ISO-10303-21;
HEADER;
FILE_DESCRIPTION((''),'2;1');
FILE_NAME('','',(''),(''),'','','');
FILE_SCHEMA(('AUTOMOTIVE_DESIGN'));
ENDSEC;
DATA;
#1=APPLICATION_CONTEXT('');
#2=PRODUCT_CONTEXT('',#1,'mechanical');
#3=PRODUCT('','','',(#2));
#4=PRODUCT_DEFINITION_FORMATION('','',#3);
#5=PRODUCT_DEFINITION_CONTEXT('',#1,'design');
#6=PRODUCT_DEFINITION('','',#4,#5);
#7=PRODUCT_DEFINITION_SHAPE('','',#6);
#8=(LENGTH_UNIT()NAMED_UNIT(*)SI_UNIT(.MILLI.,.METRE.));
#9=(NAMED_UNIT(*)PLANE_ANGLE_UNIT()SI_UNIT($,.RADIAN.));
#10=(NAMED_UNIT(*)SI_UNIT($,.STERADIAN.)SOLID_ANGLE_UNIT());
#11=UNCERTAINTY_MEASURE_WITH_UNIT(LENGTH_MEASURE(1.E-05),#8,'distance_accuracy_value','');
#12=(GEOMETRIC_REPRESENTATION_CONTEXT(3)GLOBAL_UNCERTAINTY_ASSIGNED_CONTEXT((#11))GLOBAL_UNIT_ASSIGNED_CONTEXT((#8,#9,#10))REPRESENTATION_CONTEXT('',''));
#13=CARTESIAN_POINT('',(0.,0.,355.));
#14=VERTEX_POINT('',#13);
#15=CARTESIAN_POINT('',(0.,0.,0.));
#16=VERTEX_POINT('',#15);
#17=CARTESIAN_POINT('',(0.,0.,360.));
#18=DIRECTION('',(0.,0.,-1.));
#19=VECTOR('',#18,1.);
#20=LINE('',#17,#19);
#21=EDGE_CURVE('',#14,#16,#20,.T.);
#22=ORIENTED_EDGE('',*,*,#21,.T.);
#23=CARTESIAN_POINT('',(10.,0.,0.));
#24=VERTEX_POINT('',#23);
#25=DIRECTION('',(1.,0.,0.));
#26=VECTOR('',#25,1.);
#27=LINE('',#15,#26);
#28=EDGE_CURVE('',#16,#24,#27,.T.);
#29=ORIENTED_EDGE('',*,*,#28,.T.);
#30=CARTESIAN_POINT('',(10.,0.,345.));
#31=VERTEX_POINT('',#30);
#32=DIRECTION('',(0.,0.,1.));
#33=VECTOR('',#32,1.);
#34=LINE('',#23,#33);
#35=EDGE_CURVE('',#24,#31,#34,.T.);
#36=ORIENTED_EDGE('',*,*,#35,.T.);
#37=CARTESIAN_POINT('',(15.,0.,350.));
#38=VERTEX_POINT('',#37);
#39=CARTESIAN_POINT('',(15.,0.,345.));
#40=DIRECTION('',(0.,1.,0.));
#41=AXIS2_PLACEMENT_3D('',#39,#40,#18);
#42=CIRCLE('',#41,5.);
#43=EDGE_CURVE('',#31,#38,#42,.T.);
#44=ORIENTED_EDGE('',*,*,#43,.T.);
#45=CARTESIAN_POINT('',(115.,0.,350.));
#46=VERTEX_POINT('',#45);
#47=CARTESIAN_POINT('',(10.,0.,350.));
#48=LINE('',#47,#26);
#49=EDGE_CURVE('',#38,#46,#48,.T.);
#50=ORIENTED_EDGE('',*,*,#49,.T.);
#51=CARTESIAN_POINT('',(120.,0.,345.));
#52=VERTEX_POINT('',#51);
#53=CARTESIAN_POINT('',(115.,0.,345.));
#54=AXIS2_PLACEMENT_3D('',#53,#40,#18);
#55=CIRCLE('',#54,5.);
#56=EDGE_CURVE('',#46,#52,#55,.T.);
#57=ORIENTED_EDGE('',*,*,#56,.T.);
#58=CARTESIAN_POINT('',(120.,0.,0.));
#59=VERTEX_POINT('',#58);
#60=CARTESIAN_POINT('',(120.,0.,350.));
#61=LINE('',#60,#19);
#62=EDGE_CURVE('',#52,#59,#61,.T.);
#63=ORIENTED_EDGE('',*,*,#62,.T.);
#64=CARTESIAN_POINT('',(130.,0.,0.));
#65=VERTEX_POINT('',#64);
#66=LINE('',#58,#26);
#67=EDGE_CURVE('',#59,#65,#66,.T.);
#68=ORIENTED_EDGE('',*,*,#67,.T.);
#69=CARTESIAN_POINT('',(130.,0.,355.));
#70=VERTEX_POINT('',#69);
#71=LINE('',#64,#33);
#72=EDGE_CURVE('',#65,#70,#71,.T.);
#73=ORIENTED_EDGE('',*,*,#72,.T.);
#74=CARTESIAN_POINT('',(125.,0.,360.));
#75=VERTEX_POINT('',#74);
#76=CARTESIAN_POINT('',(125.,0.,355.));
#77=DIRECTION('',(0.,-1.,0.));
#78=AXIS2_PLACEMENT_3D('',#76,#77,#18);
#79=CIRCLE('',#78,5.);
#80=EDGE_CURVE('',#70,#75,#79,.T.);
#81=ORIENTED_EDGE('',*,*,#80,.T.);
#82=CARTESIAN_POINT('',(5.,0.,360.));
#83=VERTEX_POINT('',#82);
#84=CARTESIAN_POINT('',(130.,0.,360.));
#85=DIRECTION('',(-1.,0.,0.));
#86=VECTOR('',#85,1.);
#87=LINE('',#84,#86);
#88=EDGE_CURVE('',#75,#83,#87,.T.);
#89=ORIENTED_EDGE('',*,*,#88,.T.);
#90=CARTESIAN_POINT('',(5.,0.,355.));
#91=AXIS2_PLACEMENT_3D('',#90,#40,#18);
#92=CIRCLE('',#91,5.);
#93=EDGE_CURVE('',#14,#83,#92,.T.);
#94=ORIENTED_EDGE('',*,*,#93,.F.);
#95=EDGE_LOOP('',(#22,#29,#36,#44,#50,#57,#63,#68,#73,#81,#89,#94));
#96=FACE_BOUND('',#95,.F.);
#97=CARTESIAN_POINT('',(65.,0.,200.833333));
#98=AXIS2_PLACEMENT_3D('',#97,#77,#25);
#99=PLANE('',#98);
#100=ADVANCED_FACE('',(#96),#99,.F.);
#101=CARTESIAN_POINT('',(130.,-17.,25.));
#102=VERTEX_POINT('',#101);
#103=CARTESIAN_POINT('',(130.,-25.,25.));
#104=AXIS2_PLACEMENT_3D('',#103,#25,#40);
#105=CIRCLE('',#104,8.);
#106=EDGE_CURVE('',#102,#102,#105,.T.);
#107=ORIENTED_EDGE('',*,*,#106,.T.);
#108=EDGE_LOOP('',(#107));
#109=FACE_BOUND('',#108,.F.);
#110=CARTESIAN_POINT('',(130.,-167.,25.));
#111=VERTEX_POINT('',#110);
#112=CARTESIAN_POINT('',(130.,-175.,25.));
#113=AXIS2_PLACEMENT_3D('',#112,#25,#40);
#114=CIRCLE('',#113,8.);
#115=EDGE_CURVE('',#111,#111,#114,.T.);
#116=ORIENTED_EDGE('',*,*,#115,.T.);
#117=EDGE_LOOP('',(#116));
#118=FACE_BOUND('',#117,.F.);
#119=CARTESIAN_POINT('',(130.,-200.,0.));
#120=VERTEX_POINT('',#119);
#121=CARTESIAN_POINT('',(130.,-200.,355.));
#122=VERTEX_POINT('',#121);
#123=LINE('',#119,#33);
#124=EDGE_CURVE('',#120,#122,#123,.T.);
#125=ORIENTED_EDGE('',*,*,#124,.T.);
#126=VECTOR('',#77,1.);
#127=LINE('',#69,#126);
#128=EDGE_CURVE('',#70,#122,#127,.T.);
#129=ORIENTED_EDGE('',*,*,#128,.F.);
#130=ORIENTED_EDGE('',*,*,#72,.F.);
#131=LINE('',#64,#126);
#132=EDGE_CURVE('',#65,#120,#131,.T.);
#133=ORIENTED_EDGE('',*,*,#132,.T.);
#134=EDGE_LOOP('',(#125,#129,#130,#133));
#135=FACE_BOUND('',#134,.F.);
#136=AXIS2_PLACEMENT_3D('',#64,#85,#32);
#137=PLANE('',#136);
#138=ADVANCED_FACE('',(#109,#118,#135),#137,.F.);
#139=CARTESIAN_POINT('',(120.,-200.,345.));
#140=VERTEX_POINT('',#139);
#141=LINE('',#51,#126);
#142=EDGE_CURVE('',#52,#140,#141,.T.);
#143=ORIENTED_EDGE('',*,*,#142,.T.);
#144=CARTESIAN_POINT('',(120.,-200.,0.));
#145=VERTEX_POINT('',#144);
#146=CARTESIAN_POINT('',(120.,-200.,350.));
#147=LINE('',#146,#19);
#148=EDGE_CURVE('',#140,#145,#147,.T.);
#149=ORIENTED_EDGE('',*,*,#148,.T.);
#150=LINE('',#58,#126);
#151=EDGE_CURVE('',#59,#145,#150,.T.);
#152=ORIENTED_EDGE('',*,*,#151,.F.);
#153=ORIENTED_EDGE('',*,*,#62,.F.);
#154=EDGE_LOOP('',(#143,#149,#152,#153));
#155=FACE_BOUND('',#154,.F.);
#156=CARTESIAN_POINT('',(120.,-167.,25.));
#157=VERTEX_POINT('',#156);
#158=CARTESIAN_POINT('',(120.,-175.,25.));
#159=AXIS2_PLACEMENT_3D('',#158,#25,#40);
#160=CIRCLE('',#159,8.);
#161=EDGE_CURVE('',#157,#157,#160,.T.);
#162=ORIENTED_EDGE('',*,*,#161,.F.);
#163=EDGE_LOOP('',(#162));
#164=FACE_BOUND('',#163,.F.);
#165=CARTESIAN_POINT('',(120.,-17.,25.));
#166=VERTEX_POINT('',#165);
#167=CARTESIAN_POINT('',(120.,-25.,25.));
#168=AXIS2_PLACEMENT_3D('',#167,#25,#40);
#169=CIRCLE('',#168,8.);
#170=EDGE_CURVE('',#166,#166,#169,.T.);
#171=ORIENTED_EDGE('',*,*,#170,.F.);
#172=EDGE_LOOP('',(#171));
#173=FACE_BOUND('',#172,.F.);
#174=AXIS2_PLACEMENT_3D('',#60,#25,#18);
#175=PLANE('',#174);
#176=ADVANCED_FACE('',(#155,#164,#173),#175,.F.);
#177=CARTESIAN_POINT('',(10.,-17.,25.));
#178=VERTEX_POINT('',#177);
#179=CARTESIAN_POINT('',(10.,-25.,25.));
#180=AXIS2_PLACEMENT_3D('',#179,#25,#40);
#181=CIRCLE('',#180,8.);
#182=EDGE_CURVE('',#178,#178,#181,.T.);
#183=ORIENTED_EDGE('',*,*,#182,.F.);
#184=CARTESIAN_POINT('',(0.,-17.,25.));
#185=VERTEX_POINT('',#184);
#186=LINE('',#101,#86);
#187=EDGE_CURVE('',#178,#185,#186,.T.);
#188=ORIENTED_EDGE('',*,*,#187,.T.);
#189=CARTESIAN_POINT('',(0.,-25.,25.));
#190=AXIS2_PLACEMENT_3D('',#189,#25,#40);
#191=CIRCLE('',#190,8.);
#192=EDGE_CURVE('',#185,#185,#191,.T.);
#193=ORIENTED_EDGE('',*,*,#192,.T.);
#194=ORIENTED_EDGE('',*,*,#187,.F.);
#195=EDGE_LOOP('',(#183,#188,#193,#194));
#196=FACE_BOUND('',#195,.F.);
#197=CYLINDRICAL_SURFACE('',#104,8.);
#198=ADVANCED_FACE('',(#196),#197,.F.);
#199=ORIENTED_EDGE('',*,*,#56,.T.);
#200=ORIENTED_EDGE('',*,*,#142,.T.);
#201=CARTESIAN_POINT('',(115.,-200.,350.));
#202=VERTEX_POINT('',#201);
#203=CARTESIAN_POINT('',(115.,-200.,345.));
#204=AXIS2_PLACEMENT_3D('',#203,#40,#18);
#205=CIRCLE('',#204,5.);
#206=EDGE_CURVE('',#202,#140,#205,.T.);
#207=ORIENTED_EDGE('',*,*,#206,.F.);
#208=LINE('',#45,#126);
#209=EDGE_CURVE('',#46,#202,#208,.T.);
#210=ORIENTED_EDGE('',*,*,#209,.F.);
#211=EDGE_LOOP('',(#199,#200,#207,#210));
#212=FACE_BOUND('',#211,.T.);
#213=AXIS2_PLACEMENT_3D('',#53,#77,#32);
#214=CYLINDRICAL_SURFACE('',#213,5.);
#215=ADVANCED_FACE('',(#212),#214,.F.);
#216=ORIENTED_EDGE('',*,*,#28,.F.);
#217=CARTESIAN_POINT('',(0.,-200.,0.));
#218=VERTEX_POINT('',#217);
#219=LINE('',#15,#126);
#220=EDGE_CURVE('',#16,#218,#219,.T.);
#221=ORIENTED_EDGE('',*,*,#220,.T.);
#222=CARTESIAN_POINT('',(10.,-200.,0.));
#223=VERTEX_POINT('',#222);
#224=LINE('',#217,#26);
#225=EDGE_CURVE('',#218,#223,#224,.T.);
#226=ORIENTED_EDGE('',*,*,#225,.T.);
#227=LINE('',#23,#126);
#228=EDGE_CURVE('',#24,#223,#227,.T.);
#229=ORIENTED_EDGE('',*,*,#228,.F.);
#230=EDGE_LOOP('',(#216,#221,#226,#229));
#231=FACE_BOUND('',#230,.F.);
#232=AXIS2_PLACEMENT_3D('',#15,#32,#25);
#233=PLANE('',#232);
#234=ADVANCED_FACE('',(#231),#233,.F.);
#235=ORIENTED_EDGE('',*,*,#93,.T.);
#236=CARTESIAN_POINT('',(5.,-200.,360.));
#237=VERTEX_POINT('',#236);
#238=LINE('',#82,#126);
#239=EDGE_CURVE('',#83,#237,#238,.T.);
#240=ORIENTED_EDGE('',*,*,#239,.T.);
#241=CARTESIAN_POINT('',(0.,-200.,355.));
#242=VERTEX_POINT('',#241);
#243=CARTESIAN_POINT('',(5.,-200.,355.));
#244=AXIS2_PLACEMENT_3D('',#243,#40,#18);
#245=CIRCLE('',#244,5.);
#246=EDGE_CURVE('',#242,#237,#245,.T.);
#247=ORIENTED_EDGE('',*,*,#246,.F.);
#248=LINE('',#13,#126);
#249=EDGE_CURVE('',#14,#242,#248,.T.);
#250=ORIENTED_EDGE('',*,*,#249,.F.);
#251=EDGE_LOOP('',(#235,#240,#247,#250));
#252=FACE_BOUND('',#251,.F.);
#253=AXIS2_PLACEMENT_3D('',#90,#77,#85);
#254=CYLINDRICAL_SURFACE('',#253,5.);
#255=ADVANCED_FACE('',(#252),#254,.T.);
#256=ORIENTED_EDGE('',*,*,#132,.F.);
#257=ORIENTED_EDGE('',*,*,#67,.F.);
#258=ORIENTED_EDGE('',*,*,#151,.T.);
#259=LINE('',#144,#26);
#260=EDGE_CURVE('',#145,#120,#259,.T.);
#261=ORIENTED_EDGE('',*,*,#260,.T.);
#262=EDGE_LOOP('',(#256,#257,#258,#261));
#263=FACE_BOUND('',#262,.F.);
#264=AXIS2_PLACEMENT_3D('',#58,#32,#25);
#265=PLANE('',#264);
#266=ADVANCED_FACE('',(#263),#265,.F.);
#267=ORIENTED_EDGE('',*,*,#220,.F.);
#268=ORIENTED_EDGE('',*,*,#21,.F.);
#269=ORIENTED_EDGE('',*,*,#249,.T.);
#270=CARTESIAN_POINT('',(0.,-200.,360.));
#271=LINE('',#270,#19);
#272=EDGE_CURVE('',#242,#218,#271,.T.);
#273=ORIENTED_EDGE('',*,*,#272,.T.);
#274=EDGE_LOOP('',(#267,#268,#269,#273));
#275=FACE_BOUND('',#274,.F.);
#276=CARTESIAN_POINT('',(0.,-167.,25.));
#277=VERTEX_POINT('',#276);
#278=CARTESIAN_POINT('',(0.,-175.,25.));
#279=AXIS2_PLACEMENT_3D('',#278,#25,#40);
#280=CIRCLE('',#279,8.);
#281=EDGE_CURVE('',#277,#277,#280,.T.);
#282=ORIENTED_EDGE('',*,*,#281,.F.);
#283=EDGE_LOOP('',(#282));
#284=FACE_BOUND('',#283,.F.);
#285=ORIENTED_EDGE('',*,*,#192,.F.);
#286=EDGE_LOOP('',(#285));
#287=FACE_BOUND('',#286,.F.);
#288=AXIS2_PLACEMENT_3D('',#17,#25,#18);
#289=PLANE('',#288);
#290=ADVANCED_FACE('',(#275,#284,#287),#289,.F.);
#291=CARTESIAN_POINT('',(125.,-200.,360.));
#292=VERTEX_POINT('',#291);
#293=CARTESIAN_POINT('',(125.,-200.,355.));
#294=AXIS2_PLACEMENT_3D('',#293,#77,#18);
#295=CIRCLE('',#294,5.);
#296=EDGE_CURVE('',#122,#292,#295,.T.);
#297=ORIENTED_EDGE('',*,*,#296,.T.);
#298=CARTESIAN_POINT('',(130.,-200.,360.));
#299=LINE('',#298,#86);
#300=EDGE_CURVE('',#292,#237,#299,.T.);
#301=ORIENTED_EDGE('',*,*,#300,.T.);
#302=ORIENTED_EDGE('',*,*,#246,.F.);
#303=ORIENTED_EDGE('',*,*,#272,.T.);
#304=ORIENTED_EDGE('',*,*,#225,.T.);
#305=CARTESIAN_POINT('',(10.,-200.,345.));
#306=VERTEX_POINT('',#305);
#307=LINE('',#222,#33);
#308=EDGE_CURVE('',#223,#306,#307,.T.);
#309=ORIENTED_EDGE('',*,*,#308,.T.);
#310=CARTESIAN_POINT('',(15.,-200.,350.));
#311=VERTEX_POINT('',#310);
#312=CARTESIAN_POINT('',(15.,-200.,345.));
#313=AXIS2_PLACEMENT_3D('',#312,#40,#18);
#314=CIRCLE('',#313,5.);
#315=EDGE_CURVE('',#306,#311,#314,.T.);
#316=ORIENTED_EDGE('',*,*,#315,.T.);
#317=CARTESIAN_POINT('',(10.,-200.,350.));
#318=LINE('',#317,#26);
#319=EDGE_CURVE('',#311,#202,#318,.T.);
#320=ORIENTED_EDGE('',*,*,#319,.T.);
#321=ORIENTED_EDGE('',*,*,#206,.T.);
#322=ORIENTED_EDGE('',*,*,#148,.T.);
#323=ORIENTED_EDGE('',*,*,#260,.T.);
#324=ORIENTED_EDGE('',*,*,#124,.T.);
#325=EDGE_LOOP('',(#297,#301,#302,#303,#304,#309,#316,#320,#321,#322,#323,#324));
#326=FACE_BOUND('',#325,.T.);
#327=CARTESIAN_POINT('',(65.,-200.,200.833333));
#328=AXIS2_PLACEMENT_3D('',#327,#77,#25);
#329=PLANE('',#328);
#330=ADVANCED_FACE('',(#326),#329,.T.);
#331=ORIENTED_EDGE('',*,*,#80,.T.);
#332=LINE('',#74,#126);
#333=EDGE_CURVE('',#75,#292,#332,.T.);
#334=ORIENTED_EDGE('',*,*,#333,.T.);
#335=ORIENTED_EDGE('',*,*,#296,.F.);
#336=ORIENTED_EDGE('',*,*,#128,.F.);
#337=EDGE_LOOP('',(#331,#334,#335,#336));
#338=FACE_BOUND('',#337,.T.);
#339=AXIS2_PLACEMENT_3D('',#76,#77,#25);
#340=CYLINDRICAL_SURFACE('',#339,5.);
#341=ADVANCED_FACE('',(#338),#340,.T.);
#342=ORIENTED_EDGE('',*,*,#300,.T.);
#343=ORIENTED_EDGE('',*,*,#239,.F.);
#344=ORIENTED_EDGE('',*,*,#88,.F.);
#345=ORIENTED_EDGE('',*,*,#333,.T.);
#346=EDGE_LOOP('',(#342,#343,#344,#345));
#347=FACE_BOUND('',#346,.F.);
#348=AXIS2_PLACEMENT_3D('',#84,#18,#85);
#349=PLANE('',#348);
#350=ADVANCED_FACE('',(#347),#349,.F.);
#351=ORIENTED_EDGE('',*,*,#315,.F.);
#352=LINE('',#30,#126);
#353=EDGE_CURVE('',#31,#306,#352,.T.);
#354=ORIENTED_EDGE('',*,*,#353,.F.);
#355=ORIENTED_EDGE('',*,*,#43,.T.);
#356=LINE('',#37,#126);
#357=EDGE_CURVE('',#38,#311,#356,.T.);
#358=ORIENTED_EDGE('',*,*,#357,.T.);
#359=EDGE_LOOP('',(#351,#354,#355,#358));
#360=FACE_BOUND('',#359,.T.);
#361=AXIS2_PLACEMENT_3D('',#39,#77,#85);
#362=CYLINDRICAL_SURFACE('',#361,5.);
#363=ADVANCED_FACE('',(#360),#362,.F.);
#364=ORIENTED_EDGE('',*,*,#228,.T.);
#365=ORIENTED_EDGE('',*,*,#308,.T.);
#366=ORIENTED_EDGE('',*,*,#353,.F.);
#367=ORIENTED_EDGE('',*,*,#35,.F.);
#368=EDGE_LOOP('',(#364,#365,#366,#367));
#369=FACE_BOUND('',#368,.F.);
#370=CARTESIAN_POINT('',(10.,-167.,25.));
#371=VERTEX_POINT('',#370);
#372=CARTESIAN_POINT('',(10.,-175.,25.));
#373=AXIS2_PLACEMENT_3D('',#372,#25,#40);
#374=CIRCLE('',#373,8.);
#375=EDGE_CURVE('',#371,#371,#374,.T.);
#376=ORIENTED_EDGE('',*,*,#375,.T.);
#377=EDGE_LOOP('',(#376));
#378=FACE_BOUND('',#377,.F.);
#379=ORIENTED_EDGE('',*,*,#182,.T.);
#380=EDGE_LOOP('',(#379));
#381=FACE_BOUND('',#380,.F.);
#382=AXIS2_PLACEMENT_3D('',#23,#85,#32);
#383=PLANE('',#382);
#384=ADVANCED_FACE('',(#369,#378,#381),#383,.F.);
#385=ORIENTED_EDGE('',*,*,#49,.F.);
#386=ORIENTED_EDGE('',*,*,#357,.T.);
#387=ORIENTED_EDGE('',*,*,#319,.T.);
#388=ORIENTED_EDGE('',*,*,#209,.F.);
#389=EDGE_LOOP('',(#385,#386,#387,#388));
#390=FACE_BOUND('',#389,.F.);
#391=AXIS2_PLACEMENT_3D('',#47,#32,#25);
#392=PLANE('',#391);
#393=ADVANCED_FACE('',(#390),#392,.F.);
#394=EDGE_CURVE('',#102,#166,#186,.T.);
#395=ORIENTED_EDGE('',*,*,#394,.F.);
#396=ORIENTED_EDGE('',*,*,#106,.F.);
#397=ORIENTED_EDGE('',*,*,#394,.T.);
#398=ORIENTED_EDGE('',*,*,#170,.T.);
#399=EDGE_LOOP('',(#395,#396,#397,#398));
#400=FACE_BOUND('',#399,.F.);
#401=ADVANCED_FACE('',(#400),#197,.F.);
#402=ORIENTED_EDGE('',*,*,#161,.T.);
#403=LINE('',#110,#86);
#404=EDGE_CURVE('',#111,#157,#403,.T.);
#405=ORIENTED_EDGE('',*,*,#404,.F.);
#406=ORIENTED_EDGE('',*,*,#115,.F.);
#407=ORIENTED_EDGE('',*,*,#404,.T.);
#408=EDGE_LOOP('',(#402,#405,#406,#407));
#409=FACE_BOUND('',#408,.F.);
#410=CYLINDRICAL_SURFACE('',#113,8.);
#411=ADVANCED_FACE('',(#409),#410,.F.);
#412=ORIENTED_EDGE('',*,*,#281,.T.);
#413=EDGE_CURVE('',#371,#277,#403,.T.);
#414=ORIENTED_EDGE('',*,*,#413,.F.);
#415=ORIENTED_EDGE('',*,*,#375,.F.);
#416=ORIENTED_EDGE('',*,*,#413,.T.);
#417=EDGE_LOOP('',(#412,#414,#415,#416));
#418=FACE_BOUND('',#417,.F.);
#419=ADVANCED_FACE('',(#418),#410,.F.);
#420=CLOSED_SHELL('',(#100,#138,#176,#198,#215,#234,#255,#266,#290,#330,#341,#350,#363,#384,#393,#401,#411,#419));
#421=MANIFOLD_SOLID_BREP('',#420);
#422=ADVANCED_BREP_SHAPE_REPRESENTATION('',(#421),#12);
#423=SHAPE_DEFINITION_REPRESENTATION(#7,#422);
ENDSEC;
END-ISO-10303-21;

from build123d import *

# Parameters (mm, degrees)
F1_DEPTH = 200
F2_R     = 5
F3_R     = 8
F4_DEPTH = 400


with BuildPart() as f1:
    # F0 (on Front) → F1 (new body)
    with BuildSketch(Plane.XZ):
        Polygon((0, 360), (0, 0), (10, 0), (10, 350), (120, 350), (120, 0), (130, 0), (130, 360), align=None)
    extrude(amount=F1_DEPTH)

    # F2
    f2_edges = [f1.edges().sort_by_distance(p)[0] for p in [
        (130, -100, 360),
        (0, -100, 360),
        (10, -100, 350),
        (120, -100, 350),
    ]]
    fillet(f2_edges, radius=F2_R)

    # F3 (on face) → F4 (cut)
    with BuildSketch(Plane.YZ.offset(130)):
        with Locations((-25, 25)):
            Circle(F3_R)
        with Locations((-175, 25)):
            Circle(F3_R)
    extrude(amount=-F4_DEPTH, mode=Mode.SUBTRACT)


solid = f1.part
